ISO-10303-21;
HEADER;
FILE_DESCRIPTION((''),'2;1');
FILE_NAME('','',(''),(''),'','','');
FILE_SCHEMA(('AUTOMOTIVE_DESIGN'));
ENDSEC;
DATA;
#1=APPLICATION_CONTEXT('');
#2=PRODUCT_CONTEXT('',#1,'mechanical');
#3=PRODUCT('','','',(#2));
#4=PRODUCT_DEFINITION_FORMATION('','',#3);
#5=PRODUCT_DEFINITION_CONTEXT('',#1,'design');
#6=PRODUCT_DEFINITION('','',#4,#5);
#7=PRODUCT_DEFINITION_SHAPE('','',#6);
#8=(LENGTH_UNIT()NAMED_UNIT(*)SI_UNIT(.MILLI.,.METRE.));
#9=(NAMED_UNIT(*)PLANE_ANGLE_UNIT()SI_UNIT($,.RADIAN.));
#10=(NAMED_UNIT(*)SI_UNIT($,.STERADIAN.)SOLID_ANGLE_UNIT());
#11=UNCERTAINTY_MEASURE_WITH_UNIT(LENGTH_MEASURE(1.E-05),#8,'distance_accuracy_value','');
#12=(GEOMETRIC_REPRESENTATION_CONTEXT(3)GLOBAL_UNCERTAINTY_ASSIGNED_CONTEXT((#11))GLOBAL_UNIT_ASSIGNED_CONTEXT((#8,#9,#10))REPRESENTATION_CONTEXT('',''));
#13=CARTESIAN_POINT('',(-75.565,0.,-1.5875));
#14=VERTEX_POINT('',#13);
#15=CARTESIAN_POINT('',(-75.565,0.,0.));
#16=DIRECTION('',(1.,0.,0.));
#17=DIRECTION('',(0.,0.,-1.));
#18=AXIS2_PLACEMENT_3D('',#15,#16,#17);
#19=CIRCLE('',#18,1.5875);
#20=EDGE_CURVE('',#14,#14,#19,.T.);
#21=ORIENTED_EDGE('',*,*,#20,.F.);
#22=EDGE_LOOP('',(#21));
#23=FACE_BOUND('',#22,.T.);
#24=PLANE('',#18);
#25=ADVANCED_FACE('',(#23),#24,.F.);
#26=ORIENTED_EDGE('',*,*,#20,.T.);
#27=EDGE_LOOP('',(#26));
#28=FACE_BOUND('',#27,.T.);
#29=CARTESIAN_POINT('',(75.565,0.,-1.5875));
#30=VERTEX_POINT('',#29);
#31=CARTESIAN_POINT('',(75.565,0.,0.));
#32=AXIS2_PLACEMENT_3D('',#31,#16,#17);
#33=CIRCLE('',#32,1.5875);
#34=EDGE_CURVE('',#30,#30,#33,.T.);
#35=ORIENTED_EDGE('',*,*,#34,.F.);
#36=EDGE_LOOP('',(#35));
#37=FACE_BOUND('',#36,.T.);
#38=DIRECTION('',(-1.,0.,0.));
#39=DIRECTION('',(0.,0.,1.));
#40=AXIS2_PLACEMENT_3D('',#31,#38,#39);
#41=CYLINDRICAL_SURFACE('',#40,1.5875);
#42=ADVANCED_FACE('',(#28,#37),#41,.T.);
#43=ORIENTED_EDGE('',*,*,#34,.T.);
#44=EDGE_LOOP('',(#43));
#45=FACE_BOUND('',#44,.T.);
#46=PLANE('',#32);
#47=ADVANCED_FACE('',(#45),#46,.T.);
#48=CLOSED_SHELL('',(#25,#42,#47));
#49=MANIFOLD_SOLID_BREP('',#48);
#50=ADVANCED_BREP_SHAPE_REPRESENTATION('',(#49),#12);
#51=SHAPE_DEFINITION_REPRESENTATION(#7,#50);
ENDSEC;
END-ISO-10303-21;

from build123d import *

# Parameters (mm, degrees)
SKETCH1_R           = 1.5875
BOSS_EXTRUDE1_DEPTH = 75.565


with BuildPart() as part:
    # Sketch1 → Boss-Extrude1 (new body, symmetric)
    with BuildSketch(Plane(origin=(0, 0, 0), x_dir=(0, 0, -1), z_dir=(1, 0, 0))):
        Circle(SKETCH1_R)
    extrude(amount=BOSS_EXTRUDE1_DEPTH, both=True)


solid = part.part
